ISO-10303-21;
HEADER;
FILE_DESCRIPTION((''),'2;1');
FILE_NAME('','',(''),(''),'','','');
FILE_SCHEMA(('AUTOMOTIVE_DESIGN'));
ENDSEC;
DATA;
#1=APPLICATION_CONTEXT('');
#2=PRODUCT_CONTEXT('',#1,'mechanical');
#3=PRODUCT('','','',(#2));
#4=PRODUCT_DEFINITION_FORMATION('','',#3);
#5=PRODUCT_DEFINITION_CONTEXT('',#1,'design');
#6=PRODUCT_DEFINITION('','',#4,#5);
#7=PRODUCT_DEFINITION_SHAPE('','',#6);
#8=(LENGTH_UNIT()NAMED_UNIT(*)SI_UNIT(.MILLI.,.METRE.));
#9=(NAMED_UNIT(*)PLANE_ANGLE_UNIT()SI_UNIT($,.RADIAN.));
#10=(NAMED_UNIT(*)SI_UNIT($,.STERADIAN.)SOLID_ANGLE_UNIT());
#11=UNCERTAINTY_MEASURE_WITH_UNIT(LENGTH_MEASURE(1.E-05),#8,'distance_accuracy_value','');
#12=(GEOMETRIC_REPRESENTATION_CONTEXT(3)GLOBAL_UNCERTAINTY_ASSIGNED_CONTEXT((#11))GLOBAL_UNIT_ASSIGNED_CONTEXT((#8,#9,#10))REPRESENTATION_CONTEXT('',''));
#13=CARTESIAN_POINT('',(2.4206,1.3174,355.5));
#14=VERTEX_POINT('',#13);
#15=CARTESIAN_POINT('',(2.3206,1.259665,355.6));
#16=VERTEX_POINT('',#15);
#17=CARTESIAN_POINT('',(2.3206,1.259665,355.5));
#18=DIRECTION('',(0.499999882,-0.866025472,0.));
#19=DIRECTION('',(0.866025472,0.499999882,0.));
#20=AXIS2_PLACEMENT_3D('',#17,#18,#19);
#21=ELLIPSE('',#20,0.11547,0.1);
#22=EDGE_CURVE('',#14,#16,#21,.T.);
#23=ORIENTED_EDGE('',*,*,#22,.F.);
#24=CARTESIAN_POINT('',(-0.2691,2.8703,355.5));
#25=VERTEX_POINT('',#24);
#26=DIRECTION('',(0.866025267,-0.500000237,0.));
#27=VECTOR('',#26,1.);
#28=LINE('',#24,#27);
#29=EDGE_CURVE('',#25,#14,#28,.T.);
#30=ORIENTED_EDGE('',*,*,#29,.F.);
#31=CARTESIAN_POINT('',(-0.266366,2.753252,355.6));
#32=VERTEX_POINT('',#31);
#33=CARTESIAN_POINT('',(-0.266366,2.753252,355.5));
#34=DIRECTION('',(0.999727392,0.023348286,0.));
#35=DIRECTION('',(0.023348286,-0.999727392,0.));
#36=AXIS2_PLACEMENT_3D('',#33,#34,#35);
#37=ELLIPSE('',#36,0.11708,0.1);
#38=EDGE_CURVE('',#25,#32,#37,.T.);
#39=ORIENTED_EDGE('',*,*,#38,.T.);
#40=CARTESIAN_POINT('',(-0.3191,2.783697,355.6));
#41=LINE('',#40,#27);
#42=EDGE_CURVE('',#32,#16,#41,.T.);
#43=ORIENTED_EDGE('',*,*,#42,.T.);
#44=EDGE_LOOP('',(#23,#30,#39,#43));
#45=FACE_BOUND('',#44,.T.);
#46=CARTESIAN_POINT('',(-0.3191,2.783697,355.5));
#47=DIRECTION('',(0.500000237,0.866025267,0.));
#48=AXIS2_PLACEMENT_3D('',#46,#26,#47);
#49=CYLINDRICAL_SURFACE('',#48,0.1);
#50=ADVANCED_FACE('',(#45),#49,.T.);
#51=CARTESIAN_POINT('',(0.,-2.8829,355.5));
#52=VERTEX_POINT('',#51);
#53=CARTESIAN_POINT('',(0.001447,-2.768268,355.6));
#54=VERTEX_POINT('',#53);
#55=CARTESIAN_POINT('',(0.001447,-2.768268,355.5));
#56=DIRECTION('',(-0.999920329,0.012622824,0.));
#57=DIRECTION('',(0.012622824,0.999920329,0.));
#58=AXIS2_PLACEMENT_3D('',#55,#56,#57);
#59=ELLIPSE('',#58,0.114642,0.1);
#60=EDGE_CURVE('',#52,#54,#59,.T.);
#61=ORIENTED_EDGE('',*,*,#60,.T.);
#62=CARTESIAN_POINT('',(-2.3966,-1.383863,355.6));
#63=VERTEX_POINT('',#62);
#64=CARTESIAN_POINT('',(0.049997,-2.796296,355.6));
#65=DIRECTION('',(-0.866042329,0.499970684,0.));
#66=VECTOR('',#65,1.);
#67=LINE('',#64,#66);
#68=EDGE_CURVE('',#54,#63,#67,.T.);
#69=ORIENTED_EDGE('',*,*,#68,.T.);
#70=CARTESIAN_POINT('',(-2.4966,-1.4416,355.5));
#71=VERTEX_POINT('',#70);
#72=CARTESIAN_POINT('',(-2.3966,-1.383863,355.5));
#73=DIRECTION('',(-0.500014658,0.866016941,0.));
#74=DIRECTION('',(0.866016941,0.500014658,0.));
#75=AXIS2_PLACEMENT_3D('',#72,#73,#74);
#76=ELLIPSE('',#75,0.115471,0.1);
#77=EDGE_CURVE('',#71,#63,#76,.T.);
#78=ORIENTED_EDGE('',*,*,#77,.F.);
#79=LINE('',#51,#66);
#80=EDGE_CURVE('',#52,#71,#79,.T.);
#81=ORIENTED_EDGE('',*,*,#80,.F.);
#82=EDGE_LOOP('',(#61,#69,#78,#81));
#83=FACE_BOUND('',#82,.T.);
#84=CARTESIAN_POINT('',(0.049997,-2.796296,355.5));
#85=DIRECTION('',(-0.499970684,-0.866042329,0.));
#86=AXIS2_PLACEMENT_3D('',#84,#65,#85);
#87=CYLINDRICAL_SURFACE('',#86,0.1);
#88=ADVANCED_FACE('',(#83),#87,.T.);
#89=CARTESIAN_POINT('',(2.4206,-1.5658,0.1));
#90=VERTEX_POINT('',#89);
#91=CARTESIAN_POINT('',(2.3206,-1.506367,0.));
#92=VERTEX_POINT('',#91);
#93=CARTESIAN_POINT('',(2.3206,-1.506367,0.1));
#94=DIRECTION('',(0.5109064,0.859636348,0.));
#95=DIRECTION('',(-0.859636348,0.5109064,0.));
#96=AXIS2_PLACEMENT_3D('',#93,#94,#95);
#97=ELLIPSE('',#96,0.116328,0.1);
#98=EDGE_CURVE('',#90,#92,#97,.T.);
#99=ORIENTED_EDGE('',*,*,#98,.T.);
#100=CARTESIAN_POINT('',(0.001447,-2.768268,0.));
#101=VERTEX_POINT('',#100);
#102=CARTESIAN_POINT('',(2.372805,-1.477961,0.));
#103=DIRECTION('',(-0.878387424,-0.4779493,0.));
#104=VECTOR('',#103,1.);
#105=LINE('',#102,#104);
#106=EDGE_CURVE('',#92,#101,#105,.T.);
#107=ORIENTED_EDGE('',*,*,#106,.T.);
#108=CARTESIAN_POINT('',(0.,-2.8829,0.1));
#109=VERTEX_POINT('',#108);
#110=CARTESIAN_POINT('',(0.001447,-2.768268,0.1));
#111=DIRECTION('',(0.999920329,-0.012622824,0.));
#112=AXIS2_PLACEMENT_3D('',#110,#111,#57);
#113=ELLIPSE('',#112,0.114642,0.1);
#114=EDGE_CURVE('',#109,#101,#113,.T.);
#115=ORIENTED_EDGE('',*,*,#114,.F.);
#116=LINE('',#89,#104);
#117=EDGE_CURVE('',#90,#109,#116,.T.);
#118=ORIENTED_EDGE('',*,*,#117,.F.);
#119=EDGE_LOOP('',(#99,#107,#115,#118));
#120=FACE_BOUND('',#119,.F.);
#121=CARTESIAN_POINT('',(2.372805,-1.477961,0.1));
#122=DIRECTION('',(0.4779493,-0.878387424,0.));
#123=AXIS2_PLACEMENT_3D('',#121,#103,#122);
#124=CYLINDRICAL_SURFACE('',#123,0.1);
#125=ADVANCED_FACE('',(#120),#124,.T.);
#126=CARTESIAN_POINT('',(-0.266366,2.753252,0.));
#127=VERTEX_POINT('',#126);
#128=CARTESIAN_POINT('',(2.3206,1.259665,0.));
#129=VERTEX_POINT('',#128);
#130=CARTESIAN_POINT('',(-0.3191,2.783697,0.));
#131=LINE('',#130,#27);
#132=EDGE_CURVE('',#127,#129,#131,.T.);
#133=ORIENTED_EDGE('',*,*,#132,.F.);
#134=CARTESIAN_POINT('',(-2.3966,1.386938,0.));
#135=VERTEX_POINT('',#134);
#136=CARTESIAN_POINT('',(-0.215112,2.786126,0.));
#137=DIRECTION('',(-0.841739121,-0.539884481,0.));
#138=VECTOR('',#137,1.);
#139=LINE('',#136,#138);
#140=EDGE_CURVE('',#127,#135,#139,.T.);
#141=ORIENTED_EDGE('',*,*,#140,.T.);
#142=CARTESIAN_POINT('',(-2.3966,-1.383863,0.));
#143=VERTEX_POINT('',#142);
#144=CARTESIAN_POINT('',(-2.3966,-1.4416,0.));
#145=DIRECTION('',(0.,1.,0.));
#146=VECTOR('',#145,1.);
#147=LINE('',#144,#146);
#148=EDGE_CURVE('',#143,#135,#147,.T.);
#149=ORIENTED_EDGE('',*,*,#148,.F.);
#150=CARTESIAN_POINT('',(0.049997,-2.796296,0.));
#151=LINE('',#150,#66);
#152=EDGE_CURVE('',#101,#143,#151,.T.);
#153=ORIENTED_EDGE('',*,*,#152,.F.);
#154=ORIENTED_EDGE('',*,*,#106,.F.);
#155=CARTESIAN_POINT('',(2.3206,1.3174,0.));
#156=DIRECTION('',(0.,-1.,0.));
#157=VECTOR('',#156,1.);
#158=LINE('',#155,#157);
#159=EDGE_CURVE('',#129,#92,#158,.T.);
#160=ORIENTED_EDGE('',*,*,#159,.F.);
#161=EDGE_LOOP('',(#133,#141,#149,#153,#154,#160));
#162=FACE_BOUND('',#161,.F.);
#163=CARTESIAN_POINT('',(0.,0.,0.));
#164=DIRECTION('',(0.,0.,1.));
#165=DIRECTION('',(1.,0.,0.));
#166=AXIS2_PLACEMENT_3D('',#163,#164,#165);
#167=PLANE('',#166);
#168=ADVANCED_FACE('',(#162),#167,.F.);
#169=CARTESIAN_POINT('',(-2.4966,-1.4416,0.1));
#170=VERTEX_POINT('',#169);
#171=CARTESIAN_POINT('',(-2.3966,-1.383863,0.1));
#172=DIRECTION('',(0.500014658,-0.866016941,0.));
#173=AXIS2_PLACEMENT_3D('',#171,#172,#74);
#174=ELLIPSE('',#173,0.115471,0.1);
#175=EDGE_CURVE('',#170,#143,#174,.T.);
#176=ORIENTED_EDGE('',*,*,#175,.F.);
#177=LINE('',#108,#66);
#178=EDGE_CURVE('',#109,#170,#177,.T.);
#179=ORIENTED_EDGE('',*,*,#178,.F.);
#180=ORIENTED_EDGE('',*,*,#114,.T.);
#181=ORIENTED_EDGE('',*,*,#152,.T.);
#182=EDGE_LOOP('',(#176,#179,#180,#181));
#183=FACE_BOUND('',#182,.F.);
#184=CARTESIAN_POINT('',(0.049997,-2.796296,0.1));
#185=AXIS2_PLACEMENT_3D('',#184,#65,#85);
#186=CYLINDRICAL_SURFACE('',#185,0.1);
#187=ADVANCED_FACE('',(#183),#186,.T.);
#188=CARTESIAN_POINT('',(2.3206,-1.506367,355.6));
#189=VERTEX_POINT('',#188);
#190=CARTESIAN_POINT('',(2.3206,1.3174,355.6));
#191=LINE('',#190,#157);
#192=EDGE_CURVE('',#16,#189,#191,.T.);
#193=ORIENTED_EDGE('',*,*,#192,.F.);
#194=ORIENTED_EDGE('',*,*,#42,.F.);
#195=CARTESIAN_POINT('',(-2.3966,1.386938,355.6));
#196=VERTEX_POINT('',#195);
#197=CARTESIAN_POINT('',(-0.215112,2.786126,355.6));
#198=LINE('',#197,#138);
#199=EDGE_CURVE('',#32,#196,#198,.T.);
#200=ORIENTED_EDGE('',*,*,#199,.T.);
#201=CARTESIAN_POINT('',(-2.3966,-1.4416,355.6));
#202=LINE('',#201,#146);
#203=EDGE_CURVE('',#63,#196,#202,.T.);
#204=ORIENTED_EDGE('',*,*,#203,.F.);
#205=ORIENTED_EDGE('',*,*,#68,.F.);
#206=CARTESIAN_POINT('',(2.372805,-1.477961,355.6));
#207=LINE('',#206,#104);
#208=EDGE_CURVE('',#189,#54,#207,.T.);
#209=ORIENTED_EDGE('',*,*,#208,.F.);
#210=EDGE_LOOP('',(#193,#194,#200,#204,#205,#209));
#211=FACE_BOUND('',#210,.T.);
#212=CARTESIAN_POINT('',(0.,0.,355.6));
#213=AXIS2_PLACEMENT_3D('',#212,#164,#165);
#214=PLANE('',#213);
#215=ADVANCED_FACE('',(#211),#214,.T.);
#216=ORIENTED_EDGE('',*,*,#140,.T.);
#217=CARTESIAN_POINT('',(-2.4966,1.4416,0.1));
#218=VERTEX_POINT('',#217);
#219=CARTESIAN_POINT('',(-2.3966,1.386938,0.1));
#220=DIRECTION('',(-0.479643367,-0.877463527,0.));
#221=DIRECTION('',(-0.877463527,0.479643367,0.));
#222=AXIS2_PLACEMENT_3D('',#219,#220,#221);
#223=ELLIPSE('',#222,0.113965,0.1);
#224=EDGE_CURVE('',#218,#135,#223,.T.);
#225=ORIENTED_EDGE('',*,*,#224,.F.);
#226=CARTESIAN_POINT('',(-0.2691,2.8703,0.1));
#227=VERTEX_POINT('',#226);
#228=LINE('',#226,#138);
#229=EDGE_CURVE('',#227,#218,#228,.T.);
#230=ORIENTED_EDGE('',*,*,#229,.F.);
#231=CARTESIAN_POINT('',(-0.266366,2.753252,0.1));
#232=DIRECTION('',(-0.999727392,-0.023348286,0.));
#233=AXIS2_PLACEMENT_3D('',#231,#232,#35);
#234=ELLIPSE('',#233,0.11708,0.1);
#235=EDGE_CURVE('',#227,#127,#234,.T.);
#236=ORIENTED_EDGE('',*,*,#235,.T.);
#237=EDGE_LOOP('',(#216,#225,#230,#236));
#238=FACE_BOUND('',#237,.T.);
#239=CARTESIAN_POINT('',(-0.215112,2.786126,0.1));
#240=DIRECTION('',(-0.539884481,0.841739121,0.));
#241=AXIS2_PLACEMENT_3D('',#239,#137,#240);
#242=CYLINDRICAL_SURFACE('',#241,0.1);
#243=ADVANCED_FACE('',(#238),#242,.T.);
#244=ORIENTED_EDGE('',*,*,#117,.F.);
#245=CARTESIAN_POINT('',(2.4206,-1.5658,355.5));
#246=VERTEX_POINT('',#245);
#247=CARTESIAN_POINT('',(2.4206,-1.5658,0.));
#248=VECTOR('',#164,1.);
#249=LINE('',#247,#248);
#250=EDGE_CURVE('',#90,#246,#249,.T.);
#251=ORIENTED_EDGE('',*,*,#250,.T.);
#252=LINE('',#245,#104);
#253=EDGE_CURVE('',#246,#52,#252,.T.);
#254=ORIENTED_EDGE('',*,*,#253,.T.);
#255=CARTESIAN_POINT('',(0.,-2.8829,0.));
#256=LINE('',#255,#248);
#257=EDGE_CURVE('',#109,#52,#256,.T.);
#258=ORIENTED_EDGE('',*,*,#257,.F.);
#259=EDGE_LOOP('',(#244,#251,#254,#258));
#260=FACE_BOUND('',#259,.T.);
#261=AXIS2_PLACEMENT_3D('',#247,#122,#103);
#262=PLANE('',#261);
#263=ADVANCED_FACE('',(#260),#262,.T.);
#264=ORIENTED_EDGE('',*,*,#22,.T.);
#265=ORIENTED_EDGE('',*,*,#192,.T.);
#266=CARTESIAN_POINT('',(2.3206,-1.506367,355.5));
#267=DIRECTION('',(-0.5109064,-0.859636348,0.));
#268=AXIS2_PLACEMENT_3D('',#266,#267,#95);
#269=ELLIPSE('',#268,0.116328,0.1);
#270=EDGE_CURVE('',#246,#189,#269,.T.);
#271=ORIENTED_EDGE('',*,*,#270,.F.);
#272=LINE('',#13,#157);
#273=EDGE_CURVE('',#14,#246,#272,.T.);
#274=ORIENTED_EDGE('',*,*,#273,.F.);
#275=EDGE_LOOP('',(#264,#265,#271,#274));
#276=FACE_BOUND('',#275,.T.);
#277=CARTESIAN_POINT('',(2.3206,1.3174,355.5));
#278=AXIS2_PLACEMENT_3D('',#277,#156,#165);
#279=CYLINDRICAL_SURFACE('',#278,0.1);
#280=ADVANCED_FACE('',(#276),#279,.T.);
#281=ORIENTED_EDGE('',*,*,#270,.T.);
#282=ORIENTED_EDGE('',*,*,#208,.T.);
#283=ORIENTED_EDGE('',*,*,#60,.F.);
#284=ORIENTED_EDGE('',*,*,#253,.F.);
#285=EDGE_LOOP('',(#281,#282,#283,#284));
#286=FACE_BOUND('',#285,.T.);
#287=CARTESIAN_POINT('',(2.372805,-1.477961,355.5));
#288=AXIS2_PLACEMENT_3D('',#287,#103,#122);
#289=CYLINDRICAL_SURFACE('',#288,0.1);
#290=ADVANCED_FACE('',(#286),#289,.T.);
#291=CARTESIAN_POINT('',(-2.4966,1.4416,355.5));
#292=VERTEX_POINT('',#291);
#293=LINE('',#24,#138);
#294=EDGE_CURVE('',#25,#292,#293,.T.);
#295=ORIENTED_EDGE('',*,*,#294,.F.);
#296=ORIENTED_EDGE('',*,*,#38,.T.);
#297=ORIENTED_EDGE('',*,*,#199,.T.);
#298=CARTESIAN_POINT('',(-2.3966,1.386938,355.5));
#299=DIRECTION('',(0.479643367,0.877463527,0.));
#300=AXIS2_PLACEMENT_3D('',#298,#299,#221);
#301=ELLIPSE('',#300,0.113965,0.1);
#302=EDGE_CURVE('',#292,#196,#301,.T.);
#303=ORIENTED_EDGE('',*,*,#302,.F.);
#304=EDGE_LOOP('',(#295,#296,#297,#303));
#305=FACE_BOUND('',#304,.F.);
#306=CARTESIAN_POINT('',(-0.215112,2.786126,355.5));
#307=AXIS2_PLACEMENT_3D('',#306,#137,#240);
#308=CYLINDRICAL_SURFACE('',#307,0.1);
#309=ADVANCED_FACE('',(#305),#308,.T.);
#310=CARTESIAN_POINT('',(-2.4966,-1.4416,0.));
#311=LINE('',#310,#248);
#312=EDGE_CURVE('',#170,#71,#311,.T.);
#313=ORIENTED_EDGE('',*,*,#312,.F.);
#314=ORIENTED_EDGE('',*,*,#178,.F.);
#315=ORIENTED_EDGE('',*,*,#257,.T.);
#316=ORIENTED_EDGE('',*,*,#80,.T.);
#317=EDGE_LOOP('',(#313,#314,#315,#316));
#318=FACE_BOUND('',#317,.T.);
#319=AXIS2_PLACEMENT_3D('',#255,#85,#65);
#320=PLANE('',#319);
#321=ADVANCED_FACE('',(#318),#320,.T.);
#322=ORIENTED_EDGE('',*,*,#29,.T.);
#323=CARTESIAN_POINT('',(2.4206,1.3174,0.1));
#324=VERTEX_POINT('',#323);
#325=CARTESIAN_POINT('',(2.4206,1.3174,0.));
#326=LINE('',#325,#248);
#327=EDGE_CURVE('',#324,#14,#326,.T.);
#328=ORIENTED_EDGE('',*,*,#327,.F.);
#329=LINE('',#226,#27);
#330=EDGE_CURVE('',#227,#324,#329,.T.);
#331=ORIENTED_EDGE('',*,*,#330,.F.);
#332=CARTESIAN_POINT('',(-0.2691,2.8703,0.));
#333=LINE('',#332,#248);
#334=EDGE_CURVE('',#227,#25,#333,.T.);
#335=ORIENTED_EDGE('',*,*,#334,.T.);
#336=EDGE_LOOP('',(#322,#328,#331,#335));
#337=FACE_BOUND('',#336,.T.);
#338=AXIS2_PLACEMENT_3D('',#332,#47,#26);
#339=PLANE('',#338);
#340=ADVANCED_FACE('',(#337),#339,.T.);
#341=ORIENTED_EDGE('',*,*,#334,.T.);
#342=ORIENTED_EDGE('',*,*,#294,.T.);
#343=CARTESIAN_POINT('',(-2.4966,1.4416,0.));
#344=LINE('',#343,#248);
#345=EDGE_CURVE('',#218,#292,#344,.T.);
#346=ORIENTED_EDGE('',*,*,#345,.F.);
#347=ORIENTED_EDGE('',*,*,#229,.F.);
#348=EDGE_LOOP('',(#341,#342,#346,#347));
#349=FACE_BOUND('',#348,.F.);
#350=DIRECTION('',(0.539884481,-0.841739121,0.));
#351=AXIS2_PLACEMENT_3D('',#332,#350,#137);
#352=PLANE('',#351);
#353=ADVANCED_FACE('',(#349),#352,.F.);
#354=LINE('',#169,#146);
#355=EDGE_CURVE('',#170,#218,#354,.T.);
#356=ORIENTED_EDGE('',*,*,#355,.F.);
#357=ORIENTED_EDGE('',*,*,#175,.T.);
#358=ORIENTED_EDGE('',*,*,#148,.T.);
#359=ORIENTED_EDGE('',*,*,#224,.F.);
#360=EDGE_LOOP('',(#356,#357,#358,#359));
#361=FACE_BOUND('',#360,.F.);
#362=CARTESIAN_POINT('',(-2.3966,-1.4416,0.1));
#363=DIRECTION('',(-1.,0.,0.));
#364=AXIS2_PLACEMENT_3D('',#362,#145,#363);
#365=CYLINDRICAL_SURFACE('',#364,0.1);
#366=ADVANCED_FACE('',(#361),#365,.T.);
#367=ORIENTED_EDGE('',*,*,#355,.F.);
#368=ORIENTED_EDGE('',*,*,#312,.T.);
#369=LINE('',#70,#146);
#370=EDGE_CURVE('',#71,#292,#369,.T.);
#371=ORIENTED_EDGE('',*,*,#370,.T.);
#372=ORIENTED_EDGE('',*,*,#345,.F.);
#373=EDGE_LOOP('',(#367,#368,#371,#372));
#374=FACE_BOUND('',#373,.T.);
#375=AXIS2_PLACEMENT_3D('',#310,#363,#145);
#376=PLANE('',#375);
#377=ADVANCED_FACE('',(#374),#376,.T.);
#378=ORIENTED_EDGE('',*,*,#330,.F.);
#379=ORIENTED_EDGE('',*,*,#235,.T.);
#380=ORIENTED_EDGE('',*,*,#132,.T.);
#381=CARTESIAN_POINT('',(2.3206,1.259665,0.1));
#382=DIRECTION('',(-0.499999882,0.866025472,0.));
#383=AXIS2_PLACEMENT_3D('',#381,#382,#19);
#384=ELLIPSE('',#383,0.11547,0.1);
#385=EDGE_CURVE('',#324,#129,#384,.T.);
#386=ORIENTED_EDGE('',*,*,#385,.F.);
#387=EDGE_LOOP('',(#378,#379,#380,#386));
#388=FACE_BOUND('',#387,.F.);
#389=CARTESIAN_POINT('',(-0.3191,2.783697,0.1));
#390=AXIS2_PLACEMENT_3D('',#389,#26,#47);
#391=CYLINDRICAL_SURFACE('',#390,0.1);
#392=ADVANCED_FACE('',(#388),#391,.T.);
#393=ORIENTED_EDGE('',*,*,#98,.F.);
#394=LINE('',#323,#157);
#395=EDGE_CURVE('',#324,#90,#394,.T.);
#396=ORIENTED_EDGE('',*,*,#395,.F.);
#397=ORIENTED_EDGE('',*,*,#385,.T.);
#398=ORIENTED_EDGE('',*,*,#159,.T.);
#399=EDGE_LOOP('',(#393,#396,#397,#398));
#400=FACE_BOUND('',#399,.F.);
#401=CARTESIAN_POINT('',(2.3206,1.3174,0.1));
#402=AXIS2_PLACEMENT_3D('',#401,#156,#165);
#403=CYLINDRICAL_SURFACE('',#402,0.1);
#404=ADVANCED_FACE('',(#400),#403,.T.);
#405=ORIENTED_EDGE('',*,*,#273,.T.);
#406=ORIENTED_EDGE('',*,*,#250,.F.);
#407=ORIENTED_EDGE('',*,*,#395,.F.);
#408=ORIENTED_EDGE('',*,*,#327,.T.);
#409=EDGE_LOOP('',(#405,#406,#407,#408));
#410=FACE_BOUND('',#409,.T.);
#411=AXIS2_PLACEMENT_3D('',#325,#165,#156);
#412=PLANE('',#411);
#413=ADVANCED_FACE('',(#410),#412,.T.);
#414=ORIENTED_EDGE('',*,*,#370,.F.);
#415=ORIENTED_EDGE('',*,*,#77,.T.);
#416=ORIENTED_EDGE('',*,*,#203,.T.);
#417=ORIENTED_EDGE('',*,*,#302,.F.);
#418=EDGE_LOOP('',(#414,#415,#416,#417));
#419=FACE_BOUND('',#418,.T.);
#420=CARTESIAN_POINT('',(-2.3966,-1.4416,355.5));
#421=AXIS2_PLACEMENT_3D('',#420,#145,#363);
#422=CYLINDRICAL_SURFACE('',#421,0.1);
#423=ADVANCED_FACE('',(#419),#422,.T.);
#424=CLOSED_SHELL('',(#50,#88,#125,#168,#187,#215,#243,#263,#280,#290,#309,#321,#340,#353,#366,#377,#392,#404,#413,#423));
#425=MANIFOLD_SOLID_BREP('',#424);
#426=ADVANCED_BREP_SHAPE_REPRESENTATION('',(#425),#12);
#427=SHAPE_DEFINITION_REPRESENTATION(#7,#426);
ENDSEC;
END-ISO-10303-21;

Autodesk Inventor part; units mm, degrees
ref_plane "YZ Plane" through (0, 0, 0) normal (1, 0, 0) x (0, 1, 0)
ref_plane "XZ Plane" through (0, 0, 0) normal (0, 1, 0) x (-1, 0, 0)
ref_plane "XY Plane" through (0, 0, 0) normal (0, 0, 1) x (1, 0, 0)
sketch "Sketch1" plane through (0, 0, 0) normal (0, 0, 1) x (1, 0, 0)
  circle A0 centre (0, 0) radius 2.8829
  line L0 (-0.2691, 2.8703) -> (2.4206, 1.3174)
  line L1 (-0.2691, 2.8703) -> (2.8368, 2.8703) construction
  line L2 (2.4206, 1.3174) -> (2.4206, -1.5658)
  line L3 (2.4206, -1.5658) -> (0, -2.8829)
  line L4 (0, -2.8829) -> (-2.4966, -1.4416)
  line L5 (-2.4966, -1.4416) -> (-2.4966, 1.4416)
  line L6 (-0.2691, 2.8703) -> (-2.4966, 1.4416)
  dimension "d0" = 5.7658
  dimension "d1" = 30
  dimension "d2" = 120
  dimension "d3" = 2.8831
  dimension "d7" = 2.8831
extrude "Extrusion1" add sketch "Sketch1" along normal blind 355.6 contours L0 L2 L3 L4 L5 L6
fillet "Fillet1" radius 0.1 12 edges at (1.0758, 2.0939, 355.6) (-1.3828, 2.1559, 355.6) (-2.4966, 0, 355.6) (-1.2483, -2.1622, 355.6) (1.2103, -2.2243, 355.6) (2.4206, -0.1242, 355.6) (1.0758, 2.0939, 0) (-1.3828, 2.1559, 0) (-2.4966, 0, 0) (-1.2483, -2.1622, 0) (1.2103, -2.2243, 0) (2.4206, -0.1242, 0)
equation "\"d7\" = d3"
properties part number "12 Inch Hex Axle"
